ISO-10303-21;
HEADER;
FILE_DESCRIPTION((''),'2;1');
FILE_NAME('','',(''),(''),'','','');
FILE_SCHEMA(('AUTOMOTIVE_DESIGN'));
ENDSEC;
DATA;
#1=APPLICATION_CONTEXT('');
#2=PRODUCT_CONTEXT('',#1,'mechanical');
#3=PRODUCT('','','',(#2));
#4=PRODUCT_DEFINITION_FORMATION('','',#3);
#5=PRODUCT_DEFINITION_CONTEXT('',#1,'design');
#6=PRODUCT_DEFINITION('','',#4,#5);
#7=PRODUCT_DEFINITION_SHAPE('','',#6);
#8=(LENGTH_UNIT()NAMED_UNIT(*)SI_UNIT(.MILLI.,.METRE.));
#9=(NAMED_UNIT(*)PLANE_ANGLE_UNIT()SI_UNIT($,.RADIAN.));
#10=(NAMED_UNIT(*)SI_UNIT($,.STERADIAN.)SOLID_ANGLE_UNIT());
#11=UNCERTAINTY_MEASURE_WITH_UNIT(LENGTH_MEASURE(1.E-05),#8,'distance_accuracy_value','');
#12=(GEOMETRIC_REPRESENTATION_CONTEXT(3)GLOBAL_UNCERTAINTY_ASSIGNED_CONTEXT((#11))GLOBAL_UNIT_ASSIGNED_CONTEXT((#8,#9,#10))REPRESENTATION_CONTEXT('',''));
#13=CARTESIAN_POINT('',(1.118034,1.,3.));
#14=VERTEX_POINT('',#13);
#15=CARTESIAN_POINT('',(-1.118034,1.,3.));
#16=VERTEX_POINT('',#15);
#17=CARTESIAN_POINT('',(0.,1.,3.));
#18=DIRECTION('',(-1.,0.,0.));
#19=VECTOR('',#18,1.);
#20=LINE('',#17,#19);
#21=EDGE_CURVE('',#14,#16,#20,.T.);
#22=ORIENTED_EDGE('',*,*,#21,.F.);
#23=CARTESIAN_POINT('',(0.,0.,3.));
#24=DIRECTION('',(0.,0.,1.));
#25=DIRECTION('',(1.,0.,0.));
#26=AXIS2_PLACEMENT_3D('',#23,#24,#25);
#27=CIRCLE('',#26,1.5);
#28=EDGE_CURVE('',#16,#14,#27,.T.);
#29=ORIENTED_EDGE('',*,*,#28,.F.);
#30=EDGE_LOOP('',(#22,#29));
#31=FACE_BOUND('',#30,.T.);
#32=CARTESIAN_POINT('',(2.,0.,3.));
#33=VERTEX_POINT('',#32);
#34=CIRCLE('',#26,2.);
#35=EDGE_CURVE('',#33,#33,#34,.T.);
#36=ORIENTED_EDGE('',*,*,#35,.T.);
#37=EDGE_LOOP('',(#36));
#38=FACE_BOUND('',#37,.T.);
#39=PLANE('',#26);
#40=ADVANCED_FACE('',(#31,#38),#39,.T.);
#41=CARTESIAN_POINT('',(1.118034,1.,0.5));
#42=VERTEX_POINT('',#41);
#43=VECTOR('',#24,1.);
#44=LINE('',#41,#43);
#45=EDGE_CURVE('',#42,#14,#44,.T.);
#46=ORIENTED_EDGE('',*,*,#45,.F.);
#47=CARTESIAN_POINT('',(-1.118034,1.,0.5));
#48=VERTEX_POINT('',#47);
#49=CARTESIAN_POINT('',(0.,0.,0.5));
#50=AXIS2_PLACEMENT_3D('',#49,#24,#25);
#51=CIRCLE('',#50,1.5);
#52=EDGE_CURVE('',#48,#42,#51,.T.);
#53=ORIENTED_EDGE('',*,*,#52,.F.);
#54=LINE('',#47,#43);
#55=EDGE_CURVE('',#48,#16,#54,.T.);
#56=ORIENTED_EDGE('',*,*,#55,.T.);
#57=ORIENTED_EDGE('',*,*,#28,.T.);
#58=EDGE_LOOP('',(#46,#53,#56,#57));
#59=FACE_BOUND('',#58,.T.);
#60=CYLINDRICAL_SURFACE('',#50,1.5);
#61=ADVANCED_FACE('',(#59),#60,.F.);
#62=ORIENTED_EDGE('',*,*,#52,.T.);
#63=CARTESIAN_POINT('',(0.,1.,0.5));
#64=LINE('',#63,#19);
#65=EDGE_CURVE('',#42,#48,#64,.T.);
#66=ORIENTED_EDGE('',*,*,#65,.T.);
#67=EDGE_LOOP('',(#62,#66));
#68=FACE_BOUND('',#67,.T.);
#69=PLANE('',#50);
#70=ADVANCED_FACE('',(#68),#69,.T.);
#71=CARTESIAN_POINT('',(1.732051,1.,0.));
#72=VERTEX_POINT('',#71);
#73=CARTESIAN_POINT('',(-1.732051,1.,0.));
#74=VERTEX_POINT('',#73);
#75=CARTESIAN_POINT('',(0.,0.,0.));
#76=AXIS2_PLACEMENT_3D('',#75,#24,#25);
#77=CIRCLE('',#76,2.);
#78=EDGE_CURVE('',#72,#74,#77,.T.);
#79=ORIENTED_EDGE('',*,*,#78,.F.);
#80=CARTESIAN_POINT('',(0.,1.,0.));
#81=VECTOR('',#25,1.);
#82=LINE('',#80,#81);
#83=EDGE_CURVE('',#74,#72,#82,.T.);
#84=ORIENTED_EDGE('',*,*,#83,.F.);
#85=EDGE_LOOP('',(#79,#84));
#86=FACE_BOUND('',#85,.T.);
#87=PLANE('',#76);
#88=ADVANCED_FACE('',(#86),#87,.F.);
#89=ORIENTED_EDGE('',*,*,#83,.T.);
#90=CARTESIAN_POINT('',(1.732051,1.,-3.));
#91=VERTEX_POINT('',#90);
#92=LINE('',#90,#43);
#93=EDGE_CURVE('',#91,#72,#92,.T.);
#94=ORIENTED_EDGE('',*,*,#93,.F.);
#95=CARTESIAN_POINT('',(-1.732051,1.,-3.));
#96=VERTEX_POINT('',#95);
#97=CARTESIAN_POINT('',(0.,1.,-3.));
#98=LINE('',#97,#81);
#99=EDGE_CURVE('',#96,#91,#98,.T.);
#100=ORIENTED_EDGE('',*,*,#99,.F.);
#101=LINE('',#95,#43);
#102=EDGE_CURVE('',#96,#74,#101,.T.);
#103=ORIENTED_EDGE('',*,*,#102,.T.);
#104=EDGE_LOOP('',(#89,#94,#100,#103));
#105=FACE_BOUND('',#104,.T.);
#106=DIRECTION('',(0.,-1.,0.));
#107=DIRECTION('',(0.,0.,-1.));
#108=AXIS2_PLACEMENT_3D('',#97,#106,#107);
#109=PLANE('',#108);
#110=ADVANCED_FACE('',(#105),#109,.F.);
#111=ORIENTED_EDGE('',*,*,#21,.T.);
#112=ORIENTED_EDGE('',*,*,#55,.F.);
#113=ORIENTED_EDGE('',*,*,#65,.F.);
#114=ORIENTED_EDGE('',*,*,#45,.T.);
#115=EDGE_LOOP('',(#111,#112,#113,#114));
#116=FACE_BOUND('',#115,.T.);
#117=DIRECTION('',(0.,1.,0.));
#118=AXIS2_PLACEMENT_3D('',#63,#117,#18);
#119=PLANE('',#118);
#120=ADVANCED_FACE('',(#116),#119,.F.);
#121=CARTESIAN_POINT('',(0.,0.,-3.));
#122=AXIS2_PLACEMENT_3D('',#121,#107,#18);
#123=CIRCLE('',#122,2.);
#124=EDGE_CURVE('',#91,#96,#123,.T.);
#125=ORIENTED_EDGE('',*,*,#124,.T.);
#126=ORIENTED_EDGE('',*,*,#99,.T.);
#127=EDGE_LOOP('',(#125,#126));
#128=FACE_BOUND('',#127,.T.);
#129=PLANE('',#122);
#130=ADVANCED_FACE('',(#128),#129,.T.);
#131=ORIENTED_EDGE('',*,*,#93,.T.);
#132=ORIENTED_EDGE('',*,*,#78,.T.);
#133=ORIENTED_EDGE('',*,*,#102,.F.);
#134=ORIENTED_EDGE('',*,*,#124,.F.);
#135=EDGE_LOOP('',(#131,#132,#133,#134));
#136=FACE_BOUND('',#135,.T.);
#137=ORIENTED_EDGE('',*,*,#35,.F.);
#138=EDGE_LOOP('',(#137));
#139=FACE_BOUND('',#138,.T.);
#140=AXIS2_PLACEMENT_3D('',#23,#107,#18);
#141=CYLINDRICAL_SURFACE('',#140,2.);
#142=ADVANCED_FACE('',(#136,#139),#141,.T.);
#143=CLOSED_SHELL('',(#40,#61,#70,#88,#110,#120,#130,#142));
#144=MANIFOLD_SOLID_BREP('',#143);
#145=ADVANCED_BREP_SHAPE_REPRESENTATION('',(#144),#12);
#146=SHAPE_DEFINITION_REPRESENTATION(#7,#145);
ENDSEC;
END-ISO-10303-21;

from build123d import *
from build123d.topology import SkipClean

# Parameters (mm, degrees)
SKETCH1_R      = 2
EXTRUDE1_DEPTH = 3
EXTRUDE2_START = 3
EXTRUDE2_DEPTH = 3
EXTRUDE3_DEPTH = 2.5


with BuildPart() as part:
    # Sketch1 → Extrude1 (new body)
    with BuildSketch(Plane.XY):
        Circle(SKETCH1_R)
    extrude(amount=EXTRUDE1_DEPTH)

    # Sketch2 → Extrude2 (add)
    with SkipClean():  # the faces are left unmerged after this step: merging them gives an invalid solid
        with BuildSketch(Plane(origin=(0, 0, 0), x_dir=(-1, 0, 0), z_dir=(0, 0, -1)).offset(EXTRUDE2_START)):
            with BuildLine():
                ThreePointArc((-1.732050808, 1), (-1.732050808, -1), (0, -2))
                Line((0, -2), (0, 1))
                Line((0, 1), (-1.732050808, 1))
            make_face()
            with BuildLine():
                Line((0, 1), (0, -2))
                ThreePointArc((0, -2), (1.732050808, -1), (1.732050808, 1))
                Line((1.732050808, 1), (0, 1))
            make_face()
        extrude(amount=-EXTRUDE2_DEPTH)

    # Sketch3 → Extrude3 (cut)
    with SkipClean():  # the faces are left unmerged after this step: merging them gives an invalid solid
        with BuildSketch(Plane.XY.offset(3)):
            with BuildLine():
                ThreePointArc((-1.118033989, 1), (-1.369306394, -0.612372436), (0, -1.5))
                Line((0, -1.5), (0, 1))
                Line((0, 1), (-1.118033989, 1))
            make_face()
            with BuildLine():
                Line((0, 1), (0, -1.5))
                ThreePointArc((0, -1.5), (1.060660172, -1.060660172), (1.5, 0))
                ThreePointArc((1.5, 0), (1.401258538, 0.535233135), (1.118033989, 1))
                Line((1.118033989, 1), (0, 1))
            make_face()
        extrude(amount=-EXTRUDE3_DEPTH, mode=Mode.SUBTRACT)


solid = part.part
